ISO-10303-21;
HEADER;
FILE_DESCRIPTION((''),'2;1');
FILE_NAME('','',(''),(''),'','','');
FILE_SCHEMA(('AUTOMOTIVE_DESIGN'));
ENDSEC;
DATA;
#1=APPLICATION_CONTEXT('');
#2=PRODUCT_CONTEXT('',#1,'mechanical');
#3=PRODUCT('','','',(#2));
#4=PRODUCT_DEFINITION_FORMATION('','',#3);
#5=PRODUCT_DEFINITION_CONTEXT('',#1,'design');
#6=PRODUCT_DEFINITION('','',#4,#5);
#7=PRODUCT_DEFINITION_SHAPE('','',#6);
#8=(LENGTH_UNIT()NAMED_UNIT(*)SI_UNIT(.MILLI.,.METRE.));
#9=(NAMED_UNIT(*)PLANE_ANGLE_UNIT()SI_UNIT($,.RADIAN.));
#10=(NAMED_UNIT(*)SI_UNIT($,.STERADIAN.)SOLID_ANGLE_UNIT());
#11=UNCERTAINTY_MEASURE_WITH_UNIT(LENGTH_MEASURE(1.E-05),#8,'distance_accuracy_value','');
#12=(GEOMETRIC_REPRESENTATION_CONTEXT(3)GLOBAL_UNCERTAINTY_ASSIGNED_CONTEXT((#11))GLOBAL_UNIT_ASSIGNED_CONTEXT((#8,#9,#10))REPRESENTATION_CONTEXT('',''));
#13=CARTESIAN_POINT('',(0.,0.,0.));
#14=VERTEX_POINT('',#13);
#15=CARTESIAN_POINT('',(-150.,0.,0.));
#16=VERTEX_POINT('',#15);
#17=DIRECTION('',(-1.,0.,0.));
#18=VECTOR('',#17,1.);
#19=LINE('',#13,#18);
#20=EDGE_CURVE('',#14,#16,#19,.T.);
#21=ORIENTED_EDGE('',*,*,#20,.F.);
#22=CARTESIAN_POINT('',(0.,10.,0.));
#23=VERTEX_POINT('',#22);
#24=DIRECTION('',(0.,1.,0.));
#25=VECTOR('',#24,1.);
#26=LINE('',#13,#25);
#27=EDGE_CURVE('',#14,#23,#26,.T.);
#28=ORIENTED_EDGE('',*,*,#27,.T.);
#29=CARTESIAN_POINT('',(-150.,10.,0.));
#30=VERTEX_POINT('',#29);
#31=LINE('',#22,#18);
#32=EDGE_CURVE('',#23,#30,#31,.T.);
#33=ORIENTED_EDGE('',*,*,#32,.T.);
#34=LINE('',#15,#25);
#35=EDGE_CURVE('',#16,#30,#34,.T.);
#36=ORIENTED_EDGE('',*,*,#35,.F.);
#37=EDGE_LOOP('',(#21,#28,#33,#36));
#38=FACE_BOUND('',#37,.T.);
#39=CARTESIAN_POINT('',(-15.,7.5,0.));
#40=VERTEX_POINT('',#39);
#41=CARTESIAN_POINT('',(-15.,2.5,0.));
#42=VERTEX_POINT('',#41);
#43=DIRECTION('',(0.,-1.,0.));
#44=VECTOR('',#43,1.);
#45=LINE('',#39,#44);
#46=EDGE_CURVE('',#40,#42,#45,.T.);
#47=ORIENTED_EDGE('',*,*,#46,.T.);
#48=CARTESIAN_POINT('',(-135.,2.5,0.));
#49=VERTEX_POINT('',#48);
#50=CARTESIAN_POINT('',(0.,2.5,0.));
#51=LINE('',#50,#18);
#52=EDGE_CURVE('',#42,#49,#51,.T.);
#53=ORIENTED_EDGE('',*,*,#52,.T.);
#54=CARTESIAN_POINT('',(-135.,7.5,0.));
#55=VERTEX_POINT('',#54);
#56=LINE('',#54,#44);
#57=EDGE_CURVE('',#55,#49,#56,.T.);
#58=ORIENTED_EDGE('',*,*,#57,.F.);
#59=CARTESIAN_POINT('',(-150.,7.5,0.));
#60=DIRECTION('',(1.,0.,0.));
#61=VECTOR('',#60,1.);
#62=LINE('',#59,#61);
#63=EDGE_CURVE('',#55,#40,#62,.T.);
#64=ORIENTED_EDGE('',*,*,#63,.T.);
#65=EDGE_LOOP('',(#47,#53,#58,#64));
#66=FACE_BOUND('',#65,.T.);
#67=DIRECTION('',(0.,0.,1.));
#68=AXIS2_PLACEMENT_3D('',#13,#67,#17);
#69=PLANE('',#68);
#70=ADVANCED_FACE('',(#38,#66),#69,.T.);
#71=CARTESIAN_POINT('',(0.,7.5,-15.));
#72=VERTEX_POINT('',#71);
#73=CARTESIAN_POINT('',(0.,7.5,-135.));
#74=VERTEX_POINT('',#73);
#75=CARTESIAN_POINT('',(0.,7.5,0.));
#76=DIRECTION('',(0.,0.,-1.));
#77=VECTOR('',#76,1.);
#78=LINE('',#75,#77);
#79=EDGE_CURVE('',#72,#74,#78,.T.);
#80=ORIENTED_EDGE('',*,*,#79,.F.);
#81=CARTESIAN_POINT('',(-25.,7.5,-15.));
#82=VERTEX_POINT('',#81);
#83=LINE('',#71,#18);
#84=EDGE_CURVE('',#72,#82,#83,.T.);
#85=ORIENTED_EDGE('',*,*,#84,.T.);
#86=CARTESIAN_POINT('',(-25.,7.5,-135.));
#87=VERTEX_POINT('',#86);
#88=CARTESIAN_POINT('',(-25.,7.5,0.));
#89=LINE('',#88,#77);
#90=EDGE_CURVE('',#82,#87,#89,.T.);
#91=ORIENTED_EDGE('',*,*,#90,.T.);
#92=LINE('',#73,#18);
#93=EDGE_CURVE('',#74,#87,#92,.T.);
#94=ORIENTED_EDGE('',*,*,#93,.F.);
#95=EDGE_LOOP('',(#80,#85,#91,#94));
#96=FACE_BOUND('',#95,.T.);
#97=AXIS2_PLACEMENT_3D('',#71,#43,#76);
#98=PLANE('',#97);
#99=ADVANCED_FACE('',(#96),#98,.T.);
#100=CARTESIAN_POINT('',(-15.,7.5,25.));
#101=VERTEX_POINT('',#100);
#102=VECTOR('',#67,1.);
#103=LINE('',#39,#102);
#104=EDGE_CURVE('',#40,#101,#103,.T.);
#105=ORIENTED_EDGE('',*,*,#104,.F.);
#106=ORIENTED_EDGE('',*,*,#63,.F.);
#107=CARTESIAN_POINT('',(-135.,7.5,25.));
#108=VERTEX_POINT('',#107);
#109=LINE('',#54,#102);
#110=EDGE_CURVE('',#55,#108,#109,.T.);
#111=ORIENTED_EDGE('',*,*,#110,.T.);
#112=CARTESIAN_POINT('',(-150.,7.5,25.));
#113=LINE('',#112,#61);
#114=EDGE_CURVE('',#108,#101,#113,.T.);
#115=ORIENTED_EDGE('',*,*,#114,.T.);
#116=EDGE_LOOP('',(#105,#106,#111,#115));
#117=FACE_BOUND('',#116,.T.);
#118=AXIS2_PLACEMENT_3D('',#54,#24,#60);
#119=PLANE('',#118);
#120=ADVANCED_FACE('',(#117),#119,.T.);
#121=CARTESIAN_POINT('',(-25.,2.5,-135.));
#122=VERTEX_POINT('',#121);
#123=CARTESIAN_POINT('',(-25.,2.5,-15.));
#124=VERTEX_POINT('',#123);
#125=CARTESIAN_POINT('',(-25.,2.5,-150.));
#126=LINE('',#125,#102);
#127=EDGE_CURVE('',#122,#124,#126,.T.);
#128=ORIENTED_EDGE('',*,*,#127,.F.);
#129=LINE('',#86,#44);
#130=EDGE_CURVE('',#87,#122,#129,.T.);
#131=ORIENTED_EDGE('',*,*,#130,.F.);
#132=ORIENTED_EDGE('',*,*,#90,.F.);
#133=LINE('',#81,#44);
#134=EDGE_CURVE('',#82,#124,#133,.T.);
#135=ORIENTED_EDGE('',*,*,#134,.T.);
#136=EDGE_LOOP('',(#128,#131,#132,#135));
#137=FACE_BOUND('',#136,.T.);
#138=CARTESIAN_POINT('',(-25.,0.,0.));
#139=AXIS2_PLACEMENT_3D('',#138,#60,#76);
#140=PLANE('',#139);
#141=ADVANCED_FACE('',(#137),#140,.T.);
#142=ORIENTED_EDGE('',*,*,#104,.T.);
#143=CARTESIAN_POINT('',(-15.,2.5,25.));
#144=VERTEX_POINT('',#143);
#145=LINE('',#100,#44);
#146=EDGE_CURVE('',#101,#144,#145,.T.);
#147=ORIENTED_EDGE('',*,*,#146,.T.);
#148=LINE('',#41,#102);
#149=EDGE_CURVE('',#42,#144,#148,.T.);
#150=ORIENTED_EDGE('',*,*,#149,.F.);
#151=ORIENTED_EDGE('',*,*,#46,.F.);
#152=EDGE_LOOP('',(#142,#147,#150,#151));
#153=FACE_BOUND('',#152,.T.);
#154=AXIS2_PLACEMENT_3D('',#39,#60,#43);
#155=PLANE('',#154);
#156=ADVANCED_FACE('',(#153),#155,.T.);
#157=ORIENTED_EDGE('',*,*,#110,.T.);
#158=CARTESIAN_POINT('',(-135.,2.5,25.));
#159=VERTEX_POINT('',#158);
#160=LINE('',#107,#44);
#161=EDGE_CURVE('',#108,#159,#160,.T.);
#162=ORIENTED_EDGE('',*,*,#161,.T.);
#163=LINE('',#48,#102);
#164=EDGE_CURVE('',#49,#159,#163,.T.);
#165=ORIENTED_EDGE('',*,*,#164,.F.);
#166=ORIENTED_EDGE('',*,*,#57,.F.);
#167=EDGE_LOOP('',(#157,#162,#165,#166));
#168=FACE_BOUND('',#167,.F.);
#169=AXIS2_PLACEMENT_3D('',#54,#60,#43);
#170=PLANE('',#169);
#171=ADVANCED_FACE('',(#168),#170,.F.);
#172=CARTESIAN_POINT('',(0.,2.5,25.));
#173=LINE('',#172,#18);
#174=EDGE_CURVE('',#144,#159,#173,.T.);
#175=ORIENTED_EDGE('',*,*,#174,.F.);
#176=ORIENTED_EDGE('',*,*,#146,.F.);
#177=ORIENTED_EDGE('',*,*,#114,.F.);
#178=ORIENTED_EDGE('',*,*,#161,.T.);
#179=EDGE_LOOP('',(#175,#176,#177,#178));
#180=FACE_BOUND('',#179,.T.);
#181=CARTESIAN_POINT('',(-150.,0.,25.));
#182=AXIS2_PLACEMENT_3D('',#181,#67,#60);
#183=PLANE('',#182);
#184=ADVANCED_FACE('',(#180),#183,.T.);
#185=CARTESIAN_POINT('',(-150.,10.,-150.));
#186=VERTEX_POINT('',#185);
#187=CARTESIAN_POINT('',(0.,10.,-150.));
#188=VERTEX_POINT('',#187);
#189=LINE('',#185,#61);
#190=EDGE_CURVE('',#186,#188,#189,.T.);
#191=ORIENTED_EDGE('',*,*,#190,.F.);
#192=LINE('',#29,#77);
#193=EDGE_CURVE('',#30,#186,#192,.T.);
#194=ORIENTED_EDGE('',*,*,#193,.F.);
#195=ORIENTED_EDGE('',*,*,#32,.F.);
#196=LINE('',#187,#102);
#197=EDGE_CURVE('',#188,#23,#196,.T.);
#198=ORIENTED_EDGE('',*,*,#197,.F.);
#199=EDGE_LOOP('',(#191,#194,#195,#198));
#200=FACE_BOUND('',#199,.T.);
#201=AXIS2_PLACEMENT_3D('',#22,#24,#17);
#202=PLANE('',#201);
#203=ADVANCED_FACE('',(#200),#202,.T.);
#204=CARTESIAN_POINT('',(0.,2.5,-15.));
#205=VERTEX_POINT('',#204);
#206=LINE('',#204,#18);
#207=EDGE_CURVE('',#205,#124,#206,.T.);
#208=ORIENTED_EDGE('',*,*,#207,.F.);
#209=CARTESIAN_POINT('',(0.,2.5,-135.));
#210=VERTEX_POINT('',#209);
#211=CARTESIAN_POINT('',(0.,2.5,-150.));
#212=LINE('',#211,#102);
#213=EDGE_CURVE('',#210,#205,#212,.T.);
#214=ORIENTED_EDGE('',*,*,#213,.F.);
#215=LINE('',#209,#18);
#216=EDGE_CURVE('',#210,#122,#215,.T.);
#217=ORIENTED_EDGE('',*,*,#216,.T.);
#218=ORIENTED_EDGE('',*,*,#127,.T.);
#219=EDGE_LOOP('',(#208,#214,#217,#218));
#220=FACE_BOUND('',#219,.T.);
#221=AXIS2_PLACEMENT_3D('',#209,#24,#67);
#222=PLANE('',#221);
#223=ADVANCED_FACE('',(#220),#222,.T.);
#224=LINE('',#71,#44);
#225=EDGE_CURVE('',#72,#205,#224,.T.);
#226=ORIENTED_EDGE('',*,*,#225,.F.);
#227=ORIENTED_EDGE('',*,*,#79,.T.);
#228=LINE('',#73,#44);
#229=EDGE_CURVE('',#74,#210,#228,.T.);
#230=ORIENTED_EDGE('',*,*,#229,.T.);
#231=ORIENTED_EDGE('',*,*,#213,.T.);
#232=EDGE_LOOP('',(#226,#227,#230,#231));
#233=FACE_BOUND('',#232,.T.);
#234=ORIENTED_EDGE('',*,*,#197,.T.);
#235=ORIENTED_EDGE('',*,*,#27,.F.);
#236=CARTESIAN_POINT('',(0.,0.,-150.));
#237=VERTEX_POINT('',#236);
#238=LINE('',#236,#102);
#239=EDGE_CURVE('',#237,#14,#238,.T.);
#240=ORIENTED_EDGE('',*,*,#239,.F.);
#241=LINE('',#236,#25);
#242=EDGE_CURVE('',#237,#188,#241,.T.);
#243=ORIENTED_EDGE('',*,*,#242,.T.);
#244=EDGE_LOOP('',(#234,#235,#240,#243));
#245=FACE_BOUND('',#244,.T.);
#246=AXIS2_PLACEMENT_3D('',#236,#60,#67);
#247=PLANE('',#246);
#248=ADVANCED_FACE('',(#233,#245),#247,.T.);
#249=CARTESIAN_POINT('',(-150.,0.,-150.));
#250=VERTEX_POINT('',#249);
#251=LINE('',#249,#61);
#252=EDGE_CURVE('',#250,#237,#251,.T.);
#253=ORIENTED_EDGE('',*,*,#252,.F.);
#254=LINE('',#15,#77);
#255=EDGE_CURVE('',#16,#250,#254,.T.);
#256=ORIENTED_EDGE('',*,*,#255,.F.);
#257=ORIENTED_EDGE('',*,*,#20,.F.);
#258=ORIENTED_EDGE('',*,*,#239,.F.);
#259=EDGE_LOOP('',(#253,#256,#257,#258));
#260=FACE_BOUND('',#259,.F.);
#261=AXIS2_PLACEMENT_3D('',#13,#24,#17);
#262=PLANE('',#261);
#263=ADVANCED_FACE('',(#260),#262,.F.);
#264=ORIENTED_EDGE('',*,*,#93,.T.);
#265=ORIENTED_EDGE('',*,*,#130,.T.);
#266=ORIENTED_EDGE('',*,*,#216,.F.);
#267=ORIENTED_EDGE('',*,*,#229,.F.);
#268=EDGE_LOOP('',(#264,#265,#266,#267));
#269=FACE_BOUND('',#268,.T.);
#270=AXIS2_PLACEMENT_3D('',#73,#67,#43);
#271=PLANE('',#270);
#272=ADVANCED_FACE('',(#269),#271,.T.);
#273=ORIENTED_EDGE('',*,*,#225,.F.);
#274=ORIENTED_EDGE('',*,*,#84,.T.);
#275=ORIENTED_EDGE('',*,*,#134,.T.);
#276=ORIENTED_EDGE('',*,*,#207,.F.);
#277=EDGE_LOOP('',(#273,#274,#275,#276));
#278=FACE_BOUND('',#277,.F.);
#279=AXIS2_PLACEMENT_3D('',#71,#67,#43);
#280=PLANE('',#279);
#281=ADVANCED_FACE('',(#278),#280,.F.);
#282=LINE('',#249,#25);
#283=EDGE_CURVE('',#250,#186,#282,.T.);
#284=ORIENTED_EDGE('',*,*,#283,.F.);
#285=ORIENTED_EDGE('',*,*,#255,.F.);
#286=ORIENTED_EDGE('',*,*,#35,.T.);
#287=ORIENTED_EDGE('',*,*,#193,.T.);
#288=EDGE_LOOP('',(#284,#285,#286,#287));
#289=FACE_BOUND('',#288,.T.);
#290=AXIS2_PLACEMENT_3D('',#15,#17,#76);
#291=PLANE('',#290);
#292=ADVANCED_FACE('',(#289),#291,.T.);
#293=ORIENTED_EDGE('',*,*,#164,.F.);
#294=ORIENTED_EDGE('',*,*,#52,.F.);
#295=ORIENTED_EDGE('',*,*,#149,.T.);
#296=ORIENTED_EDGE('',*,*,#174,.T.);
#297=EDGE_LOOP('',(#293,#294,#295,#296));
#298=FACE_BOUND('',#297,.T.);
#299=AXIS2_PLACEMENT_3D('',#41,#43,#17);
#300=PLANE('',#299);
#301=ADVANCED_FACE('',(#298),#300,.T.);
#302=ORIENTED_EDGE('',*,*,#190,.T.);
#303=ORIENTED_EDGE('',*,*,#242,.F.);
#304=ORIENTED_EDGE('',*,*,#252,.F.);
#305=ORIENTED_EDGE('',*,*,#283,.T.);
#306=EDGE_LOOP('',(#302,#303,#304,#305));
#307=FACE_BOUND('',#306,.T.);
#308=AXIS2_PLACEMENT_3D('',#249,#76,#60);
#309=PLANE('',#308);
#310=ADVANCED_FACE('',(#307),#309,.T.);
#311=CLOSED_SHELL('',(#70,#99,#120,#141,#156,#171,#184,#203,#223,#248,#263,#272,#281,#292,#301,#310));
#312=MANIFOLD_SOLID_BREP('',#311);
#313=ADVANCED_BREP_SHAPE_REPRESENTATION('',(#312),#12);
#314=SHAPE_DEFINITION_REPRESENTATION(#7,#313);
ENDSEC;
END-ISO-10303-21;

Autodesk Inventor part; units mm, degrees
ref_plane "YZ Plane" through (0, 0, 0) normal (1, 0, 0) x (0, 1, 0)
ref_plane "XZ Plane" through (0, 0, 0) normal (0, 1, 0) x (-1, 0, 0)
ref_plane "XY Plane" through (0, 0, 0) normal (0, 0, 1) x (1, 0, 0)
sketch "Sketch1" plane through (0, 0, 0) normal (0, 1, 0) x (-1, 0, 0)
  line L0 (0, 0) -> (150, 0)
  line L1 (150, 0) -> (150, -150)
  line L2 (150, -150) -> (0, -150)
  line L3 (0, -150) -> (0, 0)
  dimension "d0" = 150
  dimension "d1" = 150
extrude "Extrusion1" add sketch "Sketch1" along normal blind 10
sketch "Sketch2" plane through (-150, 0, 0) normal (0, 0, 1) x (1, 0, 0)
  line L0 (0, 0) -> (0, 10) projected
  line L1 (150, 0) -> (150, 10) projected
  line L2 (0, 7.5) -> (150, 7.5)
  line L3 (150, 7.5) -> (150, 2.5)
  line L4 (150, 2.5) -> (0, 2.5)
  line L5 (0, 2.5) -> (0, 7.5)
  line L6 (150, 7.5) -> (135, 7.5)
  line L7 (135, 7.5) -> (135, 2.5)
  line L8 (135, 2.5) -> (150, 2.5)
  line L9 (150, 2.5) -> (150, 7.5)
  line L10 (0, 7.5) -> (15, 7.5)
  line L11 (15, 7.5) -> (15, 2.5)
  line L12 (15, 2.5) -> (0, 2.5)
  line L13 (0, 2.5) -> (0, 7.5)
  point P0 (135, 2.5)
  point P1 (135, 7.5)
  dimension "d4" = 5
  dimension "d5" = 15
  dimension "d6" = 5
  dimension "d7" = 15
  dimension "d8" = 5
sketch "Sketch3" plane through (0, 0, 0) normal (1, 0, 0) x (0, 0, -1)
  line L0 (0, 0) -> (0, 10) projected
  line L1 (0, 7.5) -> (150, 7.5)
  line L2 (150, 7.5) -> (150, 2.5)
  line L3 (150, 2.5) -> (0, 2.5)
  line L4 (0, 2.5) -> (0, 7.5)
  line L5 (0, 7.5) -> (15, 7.5)
  line L6 (15, 7.5) -> (15, 2.5)
  line L7 (15, 2.5) -> (0, 2.5)
  line L8 (0, 2.5) -> (0, 7.5)
  line L9 (150, 7.5) -> (135, 7.5)
  line L10 (135, 7.5) -> (135, 2.5)
  line L11 (135, 2.5) -> (150, 2.5)
  line L12 (150, 2.5) -> (150, 7.5)
  dimension "d9" = 150
  dimension "d10" = 5
  dimension "d11" = 15
  dimension "d12" = 5
  dimension "d13" = 15
  dimension "d14" = 5
extrude "Extrusion2" add sketch "Sketch2" along normal blind 25 contours L11 L2 L7 L4
extrude "Extrusion3" cut sketch "Sketch3" against normal blind 25 contours L6 L1 L10 L3
properties part number "TSU_MF_Floor"
